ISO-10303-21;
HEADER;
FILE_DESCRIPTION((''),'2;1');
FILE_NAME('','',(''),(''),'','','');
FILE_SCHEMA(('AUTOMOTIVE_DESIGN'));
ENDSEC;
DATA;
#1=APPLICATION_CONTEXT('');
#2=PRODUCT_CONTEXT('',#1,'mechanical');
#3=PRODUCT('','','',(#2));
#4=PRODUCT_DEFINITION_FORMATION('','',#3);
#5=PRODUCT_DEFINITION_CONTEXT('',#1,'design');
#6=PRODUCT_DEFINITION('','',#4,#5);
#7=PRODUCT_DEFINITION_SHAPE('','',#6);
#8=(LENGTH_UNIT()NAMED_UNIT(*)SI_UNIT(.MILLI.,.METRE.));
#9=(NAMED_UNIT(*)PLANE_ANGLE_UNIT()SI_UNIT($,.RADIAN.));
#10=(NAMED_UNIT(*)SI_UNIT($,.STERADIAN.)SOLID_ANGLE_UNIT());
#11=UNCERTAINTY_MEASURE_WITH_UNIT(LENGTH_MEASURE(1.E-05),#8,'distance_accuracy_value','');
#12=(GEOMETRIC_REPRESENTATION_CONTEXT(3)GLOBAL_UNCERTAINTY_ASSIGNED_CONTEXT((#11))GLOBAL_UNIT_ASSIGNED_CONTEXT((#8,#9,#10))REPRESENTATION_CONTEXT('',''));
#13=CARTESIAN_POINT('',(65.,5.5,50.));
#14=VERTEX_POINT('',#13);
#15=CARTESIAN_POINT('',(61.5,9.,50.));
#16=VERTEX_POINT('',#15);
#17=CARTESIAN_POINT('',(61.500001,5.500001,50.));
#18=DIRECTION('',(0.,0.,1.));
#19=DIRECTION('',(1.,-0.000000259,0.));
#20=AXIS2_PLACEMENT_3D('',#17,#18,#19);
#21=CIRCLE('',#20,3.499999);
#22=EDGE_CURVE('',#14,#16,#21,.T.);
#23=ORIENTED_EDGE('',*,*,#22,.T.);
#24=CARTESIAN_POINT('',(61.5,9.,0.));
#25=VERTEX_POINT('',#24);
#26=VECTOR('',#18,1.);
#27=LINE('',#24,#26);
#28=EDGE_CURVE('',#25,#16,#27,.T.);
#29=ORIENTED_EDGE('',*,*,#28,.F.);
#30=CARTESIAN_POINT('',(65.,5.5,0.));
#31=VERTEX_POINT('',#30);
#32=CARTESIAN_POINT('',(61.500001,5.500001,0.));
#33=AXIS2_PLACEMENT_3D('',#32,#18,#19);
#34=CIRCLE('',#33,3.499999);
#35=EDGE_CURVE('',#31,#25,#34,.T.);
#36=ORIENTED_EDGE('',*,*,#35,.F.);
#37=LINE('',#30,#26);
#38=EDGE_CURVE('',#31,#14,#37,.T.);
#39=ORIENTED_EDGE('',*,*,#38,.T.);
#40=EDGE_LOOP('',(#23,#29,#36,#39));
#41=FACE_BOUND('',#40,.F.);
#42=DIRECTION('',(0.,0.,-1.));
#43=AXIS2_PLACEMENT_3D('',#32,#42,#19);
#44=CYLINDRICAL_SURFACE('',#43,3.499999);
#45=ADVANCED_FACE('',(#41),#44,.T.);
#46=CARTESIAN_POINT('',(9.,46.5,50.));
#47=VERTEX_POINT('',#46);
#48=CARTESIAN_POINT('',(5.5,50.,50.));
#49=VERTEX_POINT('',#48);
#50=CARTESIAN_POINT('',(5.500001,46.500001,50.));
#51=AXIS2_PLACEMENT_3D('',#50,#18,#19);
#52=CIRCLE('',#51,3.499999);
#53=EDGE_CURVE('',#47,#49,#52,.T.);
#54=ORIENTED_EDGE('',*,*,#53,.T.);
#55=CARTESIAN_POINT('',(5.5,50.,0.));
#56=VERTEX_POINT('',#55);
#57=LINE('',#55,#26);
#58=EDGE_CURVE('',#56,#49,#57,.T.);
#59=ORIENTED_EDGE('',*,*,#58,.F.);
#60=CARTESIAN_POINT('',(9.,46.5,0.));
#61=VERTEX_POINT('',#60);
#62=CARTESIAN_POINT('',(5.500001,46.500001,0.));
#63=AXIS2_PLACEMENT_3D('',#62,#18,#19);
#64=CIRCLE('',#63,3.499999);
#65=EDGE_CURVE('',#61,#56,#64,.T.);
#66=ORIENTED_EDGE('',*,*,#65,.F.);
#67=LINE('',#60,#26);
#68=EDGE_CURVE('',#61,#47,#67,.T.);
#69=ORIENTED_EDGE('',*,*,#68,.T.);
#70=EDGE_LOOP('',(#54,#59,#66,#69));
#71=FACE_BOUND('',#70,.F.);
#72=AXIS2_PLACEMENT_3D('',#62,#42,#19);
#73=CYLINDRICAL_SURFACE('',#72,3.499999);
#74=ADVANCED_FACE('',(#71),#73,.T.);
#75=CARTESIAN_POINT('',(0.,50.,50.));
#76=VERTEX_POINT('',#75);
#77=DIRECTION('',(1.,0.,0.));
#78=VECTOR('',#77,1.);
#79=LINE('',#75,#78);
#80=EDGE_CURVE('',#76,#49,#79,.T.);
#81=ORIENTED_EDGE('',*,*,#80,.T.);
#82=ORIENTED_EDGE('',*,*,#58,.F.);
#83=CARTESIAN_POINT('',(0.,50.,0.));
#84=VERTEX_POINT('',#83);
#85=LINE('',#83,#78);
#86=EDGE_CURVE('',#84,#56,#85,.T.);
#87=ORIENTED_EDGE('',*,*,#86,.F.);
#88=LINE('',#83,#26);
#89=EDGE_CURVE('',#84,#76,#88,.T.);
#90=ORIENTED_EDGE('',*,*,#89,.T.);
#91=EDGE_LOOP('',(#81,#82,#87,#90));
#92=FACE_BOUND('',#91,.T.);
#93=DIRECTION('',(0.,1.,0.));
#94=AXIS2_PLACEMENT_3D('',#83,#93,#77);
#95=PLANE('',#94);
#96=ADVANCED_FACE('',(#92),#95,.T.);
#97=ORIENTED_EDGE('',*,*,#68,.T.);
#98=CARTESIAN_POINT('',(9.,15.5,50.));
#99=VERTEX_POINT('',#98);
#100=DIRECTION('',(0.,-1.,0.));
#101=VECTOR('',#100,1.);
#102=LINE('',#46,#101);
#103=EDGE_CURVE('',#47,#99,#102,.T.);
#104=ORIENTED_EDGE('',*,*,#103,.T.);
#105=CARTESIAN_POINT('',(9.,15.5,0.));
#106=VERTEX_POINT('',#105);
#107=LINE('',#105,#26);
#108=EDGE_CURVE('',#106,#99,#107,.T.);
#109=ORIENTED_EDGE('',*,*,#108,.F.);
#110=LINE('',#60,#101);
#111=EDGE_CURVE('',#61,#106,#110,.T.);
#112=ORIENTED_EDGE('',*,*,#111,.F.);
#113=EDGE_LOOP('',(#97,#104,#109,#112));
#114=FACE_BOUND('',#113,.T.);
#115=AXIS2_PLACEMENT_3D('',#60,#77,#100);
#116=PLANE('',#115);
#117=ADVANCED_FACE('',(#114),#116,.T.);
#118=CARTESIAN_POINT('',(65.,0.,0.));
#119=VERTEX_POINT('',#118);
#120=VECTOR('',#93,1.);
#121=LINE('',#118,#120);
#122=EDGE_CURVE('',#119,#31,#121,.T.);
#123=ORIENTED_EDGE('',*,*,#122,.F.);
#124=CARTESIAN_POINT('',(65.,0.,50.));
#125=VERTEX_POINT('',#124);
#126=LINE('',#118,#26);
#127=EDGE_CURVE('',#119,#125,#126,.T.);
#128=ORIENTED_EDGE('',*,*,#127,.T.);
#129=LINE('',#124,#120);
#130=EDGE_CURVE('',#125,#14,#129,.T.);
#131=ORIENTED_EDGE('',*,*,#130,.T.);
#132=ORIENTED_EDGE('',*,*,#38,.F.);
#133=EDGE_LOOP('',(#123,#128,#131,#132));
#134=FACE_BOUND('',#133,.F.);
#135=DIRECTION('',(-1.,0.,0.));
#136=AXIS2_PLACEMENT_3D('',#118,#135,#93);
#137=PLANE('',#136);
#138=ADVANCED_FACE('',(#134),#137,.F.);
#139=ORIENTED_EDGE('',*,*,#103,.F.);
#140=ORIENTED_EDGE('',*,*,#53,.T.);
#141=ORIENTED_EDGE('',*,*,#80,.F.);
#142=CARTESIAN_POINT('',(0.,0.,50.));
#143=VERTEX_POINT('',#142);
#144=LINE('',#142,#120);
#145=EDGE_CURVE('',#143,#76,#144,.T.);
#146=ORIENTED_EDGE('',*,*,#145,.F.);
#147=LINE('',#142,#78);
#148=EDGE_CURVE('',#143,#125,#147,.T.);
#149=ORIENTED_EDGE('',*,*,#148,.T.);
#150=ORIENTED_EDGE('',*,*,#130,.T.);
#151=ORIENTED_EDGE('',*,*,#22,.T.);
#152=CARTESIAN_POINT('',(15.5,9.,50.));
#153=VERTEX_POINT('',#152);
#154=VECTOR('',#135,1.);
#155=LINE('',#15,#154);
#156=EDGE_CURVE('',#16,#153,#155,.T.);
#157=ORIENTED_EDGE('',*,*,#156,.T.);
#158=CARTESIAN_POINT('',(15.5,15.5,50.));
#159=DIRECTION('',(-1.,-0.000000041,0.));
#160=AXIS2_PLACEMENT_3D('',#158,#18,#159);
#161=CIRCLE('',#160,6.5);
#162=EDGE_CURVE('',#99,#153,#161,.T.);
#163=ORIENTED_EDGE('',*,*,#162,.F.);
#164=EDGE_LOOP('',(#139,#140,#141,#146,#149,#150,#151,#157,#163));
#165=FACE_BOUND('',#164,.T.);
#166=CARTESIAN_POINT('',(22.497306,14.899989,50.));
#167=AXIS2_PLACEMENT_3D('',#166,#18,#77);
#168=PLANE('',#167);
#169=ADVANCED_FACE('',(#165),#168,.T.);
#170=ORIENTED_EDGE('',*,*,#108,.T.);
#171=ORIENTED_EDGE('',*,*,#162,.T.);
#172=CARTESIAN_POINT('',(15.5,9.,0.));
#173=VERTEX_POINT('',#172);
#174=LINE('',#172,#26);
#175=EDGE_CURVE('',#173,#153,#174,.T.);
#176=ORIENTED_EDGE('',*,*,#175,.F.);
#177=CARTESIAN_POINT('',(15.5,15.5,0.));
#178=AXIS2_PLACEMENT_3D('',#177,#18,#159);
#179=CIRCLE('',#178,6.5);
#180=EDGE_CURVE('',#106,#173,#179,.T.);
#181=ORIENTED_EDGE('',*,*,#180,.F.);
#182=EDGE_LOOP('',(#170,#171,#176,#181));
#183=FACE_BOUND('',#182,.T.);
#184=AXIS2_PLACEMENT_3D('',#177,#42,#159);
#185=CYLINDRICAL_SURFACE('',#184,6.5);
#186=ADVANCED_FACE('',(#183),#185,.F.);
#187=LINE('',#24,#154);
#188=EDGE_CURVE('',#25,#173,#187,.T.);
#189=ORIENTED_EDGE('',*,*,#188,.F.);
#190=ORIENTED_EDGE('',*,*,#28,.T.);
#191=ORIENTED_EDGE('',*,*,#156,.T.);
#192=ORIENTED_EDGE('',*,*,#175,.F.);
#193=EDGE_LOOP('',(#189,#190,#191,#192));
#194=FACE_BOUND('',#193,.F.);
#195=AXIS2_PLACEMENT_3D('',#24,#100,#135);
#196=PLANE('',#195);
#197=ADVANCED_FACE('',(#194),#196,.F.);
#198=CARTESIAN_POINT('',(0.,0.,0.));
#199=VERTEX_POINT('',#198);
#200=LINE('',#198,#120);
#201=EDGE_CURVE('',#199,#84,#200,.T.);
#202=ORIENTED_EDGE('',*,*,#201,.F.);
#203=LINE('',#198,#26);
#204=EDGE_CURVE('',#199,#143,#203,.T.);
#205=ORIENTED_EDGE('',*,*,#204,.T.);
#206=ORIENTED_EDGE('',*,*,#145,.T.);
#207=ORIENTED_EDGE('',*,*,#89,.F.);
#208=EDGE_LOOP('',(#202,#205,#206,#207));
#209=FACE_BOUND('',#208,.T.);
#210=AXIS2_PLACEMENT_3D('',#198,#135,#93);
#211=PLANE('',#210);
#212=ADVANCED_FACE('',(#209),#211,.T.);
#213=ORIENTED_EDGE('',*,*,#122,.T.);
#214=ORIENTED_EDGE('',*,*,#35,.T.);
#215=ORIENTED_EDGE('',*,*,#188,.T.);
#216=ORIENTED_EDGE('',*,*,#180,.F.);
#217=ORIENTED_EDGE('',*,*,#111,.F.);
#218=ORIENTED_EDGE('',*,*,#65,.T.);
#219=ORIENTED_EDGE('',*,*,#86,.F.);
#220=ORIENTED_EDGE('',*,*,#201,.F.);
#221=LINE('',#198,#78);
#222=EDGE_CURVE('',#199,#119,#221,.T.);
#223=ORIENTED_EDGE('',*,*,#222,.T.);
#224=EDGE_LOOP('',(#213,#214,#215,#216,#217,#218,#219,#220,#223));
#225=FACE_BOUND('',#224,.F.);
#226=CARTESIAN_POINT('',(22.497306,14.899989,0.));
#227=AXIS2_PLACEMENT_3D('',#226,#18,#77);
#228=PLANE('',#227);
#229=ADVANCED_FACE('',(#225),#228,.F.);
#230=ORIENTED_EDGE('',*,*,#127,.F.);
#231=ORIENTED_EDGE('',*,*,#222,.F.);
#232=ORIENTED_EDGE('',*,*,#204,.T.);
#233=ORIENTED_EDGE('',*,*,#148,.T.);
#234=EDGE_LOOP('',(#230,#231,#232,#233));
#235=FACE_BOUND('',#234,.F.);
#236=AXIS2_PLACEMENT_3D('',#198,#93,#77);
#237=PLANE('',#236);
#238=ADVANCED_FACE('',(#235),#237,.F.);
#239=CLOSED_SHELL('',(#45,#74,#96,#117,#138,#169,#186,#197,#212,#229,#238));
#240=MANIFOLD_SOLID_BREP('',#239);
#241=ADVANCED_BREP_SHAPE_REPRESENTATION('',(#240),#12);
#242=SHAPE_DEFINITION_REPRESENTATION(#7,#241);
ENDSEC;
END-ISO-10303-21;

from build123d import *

# Parameters (mm, degrees)
EXTRUDE_DEPTH = 50


with BuildPart() as part:
    # Sketch → Extrude (new body)
    with BuildSketch(Plane.XY):
        with BuildLine():
            Line((0, 0), (65, 0))
            Line((65, 0), (65, 5.5))
            ThreePointArc((65, 5.5), (63.974874, 7.974874), (61.5, 9))
            Line((61.5, 9), (15.5, 9))
            ThreePointArc((9, 15.5), (10.903806, 10.903806), (15.5, 9))
            Line((9, 46.5), (9, 15.5))
            ThreePointArc((9, 46.5), (7.974874, 48.974874), (5.5, 50))
            Line((0, 50), (5.5, 50))
            Line((0, 0), (0, 50))
        make_face()
    extrude(amount=EXTRUDE_DEPTH)


solid = part.part
